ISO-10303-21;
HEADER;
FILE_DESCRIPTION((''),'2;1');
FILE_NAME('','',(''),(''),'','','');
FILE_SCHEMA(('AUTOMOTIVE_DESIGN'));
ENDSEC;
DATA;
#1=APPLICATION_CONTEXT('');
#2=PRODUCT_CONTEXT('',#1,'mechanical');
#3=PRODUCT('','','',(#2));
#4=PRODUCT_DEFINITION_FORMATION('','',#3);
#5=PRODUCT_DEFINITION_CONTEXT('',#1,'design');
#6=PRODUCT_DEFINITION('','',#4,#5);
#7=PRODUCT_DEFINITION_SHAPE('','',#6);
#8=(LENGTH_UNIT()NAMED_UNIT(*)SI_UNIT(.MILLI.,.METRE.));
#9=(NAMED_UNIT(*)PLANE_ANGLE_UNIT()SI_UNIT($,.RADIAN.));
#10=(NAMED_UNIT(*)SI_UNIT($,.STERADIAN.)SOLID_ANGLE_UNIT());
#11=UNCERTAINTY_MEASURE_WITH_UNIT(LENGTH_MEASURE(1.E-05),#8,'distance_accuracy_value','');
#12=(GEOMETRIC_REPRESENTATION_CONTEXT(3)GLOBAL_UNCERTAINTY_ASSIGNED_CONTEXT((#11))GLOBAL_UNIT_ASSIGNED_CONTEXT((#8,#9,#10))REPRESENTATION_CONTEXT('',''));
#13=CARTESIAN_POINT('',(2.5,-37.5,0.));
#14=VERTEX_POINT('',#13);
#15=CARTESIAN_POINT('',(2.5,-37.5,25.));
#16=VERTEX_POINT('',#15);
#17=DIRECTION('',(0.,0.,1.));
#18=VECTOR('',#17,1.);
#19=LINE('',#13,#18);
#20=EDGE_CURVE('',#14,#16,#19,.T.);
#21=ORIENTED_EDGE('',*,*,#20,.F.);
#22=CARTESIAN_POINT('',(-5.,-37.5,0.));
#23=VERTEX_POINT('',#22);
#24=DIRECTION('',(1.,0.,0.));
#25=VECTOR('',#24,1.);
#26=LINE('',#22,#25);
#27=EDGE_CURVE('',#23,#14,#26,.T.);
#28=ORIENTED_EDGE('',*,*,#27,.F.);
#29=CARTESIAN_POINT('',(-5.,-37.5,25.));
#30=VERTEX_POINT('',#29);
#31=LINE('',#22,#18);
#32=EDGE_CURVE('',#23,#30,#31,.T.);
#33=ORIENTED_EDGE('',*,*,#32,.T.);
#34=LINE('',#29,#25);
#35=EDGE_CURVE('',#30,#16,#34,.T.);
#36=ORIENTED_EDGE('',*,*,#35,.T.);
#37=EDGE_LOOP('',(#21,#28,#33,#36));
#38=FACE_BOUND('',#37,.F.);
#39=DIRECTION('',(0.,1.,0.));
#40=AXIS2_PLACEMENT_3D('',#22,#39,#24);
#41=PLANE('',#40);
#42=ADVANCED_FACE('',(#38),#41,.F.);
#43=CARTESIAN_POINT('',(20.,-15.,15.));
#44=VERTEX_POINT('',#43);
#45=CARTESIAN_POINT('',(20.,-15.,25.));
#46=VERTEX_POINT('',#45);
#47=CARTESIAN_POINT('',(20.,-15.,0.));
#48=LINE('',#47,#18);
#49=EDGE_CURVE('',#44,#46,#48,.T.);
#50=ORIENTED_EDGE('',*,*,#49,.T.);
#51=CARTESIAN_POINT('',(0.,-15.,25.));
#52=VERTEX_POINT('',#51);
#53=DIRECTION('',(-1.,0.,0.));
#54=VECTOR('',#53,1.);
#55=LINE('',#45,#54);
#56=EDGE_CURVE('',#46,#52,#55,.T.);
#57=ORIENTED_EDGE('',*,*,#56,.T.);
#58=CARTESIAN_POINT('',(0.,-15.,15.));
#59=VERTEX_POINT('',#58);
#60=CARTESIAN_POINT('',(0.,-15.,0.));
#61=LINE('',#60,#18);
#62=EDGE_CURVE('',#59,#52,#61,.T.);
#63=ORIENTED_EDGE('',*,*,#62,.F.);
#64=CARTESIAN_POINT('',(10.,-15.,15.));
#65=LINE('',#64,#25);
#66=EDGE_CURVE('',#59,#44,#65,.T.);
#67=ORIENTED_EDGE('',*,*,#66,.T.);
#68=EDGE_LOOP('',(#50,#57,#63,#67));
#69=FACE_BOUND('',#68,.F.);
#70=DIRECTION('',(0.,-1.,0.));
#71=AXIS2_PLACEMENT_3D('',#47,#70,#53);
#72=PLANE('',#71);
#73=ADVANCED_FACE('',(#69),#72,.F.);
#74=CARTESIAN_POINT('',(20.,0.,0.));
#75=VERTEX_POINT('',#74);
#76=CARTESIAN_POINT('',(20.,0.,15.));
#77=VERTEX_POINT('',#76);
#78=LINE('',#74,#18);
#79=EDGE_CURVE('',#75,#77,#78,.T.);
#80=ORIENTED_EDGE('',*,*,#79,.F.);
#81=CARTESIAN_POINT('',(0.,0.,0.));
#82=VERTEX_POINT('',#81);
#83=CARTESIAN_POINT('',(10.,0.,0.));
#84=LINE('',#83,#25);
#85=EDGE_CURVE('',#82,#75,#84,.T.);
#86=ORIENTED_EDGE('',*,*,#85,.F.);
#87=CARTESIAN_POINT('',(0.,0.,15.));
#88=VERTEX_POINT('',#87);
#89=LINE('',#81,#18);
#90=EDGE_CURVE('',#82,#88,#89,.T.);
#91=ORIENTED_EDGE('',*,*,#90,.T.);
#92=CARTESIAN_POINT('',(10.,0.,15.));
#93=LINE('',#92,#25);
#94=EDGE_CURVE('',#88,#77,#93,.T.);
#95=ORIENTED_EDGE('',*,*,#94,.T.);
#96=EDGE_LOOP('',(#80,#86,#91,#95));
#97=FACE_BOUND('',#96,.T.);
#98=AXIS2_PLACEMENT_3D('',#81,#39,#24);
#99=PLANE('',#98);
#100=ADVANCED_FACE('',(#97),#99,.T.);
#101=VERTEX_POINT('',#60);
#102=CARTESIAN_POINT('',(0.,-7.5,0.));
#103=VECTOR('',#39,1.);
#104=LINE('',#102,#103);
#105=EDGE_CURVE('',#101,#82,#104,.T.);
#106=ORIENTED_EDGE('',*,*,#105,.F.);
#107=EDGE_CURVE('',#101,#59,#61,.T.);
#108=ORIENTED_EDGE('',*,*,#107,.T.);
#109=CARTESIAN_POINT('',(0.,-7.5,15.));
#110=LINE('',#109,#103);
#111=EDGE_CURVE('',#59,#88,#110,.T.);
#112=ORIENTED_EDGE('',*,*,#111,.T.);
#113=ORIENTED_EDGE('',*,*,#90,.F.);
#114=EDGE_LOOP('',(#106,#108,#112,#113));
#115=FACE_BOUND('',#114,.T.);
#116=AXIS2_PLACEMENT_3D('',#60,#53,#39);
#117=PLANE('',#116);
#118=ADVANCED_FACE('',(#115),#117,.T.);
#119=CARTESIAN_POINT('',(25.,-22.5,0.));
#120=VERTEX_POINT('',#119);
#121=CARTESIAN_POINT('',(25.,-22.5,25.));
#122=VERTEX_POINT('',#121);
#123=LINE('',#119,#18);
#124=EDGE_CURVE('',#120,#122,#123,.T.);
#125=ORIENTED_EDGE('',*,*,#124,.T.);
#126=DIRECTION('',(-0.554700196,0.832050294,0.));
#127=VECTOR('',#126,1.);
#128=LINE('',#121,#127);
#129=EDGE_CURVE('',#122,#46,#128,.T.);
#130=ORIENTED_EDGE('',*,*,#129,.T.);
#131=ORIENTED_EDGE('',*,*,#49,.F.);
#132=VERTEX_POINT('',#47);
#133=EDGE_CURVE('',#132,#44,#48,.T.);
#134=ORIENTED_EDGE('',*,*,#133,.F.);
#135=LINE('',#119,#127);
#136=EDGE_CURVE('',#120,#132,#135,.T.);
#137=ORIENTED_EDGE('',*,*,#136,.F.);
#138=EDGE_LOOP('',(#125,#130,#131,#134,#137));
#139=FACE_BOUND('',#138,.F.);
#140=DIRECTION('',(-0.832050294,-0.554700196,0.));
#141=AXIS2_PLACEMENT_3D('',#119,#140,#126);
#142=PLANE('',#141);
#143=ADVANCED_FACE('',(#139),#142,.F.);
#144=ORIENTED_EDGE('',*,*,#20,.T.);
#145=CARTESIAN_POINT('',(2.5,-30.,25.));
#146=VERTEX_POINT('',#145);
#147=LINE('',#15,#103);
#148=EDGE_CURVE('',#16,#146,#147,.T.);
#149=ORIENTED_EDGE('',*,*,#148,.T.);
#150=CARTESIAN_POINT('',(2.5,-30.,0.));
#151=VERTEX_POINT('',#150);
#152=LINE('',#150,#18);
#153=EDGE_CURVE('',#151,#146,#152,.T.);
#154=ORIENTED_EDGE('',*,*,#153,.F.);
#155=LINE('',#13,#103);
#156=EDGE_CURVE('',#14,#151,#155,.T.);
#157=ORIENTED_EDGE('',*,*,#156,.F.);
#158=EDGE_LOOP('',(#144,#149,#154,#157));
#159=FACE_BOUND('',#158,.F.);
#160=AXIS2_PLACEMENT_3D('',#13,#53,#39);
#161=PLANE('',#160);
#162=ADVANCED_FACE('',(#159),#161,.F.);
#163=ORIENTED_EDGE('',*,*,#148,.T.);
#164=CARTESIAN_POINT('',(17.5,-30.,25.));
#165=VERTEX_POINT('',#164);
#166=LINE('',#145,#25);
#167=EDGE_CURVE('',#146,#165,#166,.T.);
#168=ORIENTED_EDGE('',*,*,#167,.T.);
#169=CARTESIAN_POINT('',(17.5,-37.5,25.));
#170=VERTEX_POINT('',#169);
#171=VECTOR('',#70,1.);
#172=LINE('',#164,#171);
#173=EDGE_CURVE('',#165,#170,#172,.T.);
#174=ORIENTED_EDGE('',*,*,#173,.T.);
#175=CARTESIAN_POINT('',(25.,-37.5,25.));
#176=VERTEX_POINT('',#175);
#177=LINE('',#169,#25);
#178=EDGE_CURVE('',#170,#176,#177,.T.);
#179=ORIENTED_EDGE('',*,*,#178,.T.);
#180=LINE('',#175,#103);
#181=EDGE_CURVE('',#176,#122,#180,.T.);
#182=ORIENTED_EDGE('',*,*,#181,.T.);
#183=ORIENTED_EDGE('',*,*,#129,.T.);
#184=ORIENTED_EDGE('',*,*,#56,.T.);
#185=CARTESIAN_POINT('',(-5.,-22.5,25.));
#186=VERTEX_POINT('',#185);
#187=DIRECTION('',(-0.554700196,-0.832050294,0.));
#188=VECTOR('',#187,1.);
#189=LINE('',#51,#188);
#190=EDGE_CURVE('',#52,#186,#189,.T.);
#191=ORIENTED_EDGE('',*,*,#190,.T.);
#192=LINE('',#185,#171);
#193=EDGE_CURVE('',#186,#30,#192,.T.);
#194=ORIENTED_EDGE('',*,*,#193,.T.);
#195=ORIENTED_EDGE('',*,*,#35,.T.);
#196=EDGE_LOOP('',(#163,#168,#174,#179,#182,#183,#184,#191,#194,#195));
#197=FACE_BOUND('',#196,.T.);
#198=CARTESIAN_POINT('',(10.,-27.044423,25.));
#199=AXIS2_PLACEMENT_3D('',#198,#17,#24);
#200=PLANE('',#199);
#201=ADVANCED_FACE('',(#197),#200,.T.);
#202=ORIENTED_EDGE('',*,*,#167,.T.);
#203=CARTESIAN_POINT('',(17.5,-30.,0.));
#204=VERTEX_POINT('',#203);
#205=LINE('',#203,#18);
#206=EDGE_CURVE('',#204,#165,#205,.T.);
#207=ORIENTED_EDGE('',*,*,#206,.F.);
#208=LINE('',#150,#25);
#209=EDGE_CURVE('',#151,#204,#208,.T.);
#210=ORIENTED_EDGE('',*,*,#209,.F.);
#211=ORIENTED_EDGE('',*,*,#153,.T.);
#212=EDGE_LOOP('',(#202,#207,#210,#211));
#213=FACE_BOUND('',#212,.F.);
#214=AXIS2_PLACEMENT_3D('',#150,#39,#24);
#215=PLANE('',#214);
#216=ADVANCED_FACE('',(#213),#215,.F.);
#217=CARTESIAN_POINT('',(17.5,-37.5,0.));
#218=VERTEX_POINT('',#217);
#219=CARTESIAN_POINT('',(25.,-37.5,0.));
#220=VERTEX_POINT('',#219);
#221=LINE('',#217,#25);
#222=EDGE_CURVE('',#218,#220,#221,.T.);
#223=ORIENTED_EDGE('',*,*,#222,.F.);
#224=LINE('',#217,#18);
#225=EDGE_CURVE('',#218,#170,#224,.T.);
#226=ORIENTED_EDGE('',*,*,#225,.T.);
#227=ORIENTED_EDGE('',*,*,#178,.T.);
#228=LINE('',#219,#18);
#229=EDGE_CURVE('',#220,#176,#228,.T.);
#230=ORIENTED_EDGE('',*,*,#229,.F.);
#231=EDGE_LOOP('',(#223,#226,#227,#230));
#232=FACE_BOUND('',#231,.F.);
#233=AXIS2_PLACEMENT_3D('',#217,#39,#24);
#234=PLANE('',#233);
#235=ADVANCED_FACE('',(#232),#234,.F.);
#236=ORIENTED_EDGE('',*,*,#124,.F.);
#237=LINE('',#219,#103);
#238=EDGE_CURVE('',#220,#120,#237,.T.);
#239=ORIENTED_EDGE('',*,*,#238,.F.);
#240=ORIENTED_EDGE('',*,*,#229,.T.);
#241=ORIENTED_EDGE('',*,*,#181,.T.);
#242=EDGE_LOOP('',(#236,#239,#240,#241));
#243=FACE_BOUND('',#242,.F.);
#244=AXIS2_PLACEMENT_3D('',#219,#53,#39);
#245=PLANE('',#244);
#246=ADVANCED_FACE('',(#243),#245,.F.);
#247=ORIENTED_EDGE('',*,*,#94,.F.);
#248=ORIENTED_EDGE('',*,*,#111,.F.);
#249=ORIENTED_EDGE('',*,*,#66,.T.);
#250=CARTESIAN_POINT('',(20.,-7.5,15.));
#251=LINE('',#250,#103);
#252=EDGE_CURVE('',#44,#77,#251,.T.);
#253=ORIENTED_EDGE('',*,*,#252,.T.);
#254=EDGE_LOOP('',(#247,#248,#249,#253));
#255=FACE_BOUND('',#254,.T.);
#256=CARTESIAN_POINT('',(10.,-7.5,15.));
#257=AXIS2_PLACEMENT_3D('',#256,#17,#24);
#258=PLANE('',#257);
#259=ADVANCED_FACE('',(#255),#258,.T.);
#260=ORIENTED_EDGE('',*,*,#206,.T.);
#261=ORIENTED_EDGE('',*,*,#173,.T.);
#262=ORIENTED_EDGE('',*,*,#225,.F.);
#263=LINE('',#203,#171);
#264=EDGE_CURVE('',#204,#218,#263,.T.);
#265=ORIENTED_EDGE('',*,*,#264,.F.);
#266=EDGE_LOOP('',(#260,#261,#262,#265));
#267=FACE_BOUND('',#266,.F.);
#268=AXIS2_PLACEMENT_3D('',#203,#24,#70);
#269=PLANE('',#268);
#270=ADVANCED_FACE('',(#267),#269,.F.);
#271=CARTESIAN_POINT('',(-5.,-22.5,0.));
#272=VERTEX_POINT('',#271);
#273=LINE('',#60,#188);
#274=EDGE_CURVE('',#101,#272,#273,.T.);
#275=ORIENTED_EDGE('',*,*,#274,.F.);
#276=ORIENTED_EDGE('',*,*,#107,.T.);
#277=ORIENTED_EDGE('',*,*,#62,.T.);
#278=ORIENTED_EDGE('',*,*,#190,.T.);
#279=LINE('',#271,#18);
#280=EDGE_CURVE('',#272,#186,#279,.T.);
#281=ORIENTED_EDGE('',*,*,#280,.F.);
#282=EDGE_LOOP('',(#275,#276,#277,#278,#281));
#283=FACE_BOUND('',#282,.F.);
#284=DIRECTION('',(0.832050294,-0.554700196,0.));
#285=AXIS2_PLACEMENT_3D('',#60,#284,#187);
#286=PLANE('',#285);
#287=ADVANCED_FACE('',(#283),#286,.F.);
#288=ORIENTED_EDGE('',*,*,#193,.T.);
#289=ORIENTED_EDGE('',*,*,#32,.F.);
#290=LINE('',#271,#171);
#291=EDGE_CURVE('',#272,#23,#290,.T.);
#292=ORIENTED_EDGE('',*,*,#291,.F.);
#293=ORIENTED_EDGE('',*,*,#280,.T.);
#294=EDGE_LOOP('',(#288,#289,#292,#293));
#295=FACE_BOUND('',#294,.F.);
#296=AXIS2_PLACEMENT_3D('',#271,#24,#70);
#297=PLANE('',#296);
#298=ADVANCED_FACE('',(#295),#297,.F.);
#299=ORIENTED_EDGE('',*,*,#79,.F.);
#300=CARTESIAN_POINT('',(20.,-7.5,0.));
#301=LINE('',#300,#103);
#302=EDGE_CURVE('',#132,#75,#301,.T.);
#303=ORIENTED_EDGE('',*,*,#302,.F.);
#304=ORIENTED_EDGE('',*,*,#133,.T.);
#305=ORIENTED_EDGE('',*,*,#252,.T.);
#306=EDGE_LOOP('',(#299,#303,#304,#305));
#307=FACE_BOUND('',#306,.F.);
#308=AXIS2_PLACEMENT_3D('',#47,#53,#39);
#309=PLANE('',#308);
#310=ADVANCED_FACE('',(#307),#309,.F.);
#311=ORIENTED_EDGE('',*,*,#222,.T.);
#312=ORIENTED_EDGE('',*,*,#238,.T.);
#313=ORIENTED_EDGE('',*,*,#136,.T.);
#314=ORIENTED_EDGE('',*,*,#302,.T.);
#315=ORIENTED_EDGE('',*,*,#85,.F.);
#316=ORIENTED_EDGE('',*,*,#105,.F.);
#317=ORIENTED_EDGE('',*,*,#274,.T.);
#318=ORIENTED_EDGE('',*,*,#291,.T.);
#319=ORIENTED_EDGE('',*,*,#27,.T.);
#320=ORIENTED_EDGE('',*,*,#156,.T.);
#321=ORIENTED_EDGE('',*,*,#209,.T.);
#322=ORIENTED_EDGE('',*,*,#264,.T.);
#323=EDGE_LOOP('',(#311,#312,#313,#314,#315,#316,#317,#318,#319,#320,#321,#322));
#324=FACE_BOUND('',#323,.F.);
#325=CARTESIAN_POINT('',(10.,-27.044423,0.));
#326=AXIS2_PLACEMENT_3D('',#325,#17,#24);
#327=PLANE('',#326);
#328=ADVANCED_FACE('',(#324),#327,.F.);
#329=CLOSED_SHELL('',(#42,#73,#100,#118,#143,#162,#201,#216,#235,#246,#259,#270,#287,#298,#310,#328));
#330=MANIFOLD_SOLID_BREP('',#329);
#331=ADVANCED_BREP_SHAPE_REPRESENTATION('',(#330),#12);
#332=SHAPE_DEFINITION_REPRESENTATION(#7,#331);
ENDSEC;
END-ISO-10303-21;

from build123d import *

# Parameters (mm, degrees)
F0_W     = 20
F0_H     = 15
F1_DEPTH = 15
F2_DEPTH = 25


with BuildPart() as f1:
    # F0 (on Top) → F1 (new body)
    with BuildSketch(Plane.XY):
        with Locations((10, -7.5)):
            Rectangle(F0_W, F0_H)
    extrude(amount=F1_DEPTH)

    # F0 (on Top) → F2 (join)
    with BuildSketch(Plane.XY):
        Polygon((20, -15), (0, -15), (-5, -22.5), (-5, -37.5), (2.5, -37.5), (2.5, -30), (17.5, -30), (17.5, -37.5), (25, -37.5), (25, -22.5), align=None)
    extrude(amount=F2_DEPTH)


solid = f1.part
